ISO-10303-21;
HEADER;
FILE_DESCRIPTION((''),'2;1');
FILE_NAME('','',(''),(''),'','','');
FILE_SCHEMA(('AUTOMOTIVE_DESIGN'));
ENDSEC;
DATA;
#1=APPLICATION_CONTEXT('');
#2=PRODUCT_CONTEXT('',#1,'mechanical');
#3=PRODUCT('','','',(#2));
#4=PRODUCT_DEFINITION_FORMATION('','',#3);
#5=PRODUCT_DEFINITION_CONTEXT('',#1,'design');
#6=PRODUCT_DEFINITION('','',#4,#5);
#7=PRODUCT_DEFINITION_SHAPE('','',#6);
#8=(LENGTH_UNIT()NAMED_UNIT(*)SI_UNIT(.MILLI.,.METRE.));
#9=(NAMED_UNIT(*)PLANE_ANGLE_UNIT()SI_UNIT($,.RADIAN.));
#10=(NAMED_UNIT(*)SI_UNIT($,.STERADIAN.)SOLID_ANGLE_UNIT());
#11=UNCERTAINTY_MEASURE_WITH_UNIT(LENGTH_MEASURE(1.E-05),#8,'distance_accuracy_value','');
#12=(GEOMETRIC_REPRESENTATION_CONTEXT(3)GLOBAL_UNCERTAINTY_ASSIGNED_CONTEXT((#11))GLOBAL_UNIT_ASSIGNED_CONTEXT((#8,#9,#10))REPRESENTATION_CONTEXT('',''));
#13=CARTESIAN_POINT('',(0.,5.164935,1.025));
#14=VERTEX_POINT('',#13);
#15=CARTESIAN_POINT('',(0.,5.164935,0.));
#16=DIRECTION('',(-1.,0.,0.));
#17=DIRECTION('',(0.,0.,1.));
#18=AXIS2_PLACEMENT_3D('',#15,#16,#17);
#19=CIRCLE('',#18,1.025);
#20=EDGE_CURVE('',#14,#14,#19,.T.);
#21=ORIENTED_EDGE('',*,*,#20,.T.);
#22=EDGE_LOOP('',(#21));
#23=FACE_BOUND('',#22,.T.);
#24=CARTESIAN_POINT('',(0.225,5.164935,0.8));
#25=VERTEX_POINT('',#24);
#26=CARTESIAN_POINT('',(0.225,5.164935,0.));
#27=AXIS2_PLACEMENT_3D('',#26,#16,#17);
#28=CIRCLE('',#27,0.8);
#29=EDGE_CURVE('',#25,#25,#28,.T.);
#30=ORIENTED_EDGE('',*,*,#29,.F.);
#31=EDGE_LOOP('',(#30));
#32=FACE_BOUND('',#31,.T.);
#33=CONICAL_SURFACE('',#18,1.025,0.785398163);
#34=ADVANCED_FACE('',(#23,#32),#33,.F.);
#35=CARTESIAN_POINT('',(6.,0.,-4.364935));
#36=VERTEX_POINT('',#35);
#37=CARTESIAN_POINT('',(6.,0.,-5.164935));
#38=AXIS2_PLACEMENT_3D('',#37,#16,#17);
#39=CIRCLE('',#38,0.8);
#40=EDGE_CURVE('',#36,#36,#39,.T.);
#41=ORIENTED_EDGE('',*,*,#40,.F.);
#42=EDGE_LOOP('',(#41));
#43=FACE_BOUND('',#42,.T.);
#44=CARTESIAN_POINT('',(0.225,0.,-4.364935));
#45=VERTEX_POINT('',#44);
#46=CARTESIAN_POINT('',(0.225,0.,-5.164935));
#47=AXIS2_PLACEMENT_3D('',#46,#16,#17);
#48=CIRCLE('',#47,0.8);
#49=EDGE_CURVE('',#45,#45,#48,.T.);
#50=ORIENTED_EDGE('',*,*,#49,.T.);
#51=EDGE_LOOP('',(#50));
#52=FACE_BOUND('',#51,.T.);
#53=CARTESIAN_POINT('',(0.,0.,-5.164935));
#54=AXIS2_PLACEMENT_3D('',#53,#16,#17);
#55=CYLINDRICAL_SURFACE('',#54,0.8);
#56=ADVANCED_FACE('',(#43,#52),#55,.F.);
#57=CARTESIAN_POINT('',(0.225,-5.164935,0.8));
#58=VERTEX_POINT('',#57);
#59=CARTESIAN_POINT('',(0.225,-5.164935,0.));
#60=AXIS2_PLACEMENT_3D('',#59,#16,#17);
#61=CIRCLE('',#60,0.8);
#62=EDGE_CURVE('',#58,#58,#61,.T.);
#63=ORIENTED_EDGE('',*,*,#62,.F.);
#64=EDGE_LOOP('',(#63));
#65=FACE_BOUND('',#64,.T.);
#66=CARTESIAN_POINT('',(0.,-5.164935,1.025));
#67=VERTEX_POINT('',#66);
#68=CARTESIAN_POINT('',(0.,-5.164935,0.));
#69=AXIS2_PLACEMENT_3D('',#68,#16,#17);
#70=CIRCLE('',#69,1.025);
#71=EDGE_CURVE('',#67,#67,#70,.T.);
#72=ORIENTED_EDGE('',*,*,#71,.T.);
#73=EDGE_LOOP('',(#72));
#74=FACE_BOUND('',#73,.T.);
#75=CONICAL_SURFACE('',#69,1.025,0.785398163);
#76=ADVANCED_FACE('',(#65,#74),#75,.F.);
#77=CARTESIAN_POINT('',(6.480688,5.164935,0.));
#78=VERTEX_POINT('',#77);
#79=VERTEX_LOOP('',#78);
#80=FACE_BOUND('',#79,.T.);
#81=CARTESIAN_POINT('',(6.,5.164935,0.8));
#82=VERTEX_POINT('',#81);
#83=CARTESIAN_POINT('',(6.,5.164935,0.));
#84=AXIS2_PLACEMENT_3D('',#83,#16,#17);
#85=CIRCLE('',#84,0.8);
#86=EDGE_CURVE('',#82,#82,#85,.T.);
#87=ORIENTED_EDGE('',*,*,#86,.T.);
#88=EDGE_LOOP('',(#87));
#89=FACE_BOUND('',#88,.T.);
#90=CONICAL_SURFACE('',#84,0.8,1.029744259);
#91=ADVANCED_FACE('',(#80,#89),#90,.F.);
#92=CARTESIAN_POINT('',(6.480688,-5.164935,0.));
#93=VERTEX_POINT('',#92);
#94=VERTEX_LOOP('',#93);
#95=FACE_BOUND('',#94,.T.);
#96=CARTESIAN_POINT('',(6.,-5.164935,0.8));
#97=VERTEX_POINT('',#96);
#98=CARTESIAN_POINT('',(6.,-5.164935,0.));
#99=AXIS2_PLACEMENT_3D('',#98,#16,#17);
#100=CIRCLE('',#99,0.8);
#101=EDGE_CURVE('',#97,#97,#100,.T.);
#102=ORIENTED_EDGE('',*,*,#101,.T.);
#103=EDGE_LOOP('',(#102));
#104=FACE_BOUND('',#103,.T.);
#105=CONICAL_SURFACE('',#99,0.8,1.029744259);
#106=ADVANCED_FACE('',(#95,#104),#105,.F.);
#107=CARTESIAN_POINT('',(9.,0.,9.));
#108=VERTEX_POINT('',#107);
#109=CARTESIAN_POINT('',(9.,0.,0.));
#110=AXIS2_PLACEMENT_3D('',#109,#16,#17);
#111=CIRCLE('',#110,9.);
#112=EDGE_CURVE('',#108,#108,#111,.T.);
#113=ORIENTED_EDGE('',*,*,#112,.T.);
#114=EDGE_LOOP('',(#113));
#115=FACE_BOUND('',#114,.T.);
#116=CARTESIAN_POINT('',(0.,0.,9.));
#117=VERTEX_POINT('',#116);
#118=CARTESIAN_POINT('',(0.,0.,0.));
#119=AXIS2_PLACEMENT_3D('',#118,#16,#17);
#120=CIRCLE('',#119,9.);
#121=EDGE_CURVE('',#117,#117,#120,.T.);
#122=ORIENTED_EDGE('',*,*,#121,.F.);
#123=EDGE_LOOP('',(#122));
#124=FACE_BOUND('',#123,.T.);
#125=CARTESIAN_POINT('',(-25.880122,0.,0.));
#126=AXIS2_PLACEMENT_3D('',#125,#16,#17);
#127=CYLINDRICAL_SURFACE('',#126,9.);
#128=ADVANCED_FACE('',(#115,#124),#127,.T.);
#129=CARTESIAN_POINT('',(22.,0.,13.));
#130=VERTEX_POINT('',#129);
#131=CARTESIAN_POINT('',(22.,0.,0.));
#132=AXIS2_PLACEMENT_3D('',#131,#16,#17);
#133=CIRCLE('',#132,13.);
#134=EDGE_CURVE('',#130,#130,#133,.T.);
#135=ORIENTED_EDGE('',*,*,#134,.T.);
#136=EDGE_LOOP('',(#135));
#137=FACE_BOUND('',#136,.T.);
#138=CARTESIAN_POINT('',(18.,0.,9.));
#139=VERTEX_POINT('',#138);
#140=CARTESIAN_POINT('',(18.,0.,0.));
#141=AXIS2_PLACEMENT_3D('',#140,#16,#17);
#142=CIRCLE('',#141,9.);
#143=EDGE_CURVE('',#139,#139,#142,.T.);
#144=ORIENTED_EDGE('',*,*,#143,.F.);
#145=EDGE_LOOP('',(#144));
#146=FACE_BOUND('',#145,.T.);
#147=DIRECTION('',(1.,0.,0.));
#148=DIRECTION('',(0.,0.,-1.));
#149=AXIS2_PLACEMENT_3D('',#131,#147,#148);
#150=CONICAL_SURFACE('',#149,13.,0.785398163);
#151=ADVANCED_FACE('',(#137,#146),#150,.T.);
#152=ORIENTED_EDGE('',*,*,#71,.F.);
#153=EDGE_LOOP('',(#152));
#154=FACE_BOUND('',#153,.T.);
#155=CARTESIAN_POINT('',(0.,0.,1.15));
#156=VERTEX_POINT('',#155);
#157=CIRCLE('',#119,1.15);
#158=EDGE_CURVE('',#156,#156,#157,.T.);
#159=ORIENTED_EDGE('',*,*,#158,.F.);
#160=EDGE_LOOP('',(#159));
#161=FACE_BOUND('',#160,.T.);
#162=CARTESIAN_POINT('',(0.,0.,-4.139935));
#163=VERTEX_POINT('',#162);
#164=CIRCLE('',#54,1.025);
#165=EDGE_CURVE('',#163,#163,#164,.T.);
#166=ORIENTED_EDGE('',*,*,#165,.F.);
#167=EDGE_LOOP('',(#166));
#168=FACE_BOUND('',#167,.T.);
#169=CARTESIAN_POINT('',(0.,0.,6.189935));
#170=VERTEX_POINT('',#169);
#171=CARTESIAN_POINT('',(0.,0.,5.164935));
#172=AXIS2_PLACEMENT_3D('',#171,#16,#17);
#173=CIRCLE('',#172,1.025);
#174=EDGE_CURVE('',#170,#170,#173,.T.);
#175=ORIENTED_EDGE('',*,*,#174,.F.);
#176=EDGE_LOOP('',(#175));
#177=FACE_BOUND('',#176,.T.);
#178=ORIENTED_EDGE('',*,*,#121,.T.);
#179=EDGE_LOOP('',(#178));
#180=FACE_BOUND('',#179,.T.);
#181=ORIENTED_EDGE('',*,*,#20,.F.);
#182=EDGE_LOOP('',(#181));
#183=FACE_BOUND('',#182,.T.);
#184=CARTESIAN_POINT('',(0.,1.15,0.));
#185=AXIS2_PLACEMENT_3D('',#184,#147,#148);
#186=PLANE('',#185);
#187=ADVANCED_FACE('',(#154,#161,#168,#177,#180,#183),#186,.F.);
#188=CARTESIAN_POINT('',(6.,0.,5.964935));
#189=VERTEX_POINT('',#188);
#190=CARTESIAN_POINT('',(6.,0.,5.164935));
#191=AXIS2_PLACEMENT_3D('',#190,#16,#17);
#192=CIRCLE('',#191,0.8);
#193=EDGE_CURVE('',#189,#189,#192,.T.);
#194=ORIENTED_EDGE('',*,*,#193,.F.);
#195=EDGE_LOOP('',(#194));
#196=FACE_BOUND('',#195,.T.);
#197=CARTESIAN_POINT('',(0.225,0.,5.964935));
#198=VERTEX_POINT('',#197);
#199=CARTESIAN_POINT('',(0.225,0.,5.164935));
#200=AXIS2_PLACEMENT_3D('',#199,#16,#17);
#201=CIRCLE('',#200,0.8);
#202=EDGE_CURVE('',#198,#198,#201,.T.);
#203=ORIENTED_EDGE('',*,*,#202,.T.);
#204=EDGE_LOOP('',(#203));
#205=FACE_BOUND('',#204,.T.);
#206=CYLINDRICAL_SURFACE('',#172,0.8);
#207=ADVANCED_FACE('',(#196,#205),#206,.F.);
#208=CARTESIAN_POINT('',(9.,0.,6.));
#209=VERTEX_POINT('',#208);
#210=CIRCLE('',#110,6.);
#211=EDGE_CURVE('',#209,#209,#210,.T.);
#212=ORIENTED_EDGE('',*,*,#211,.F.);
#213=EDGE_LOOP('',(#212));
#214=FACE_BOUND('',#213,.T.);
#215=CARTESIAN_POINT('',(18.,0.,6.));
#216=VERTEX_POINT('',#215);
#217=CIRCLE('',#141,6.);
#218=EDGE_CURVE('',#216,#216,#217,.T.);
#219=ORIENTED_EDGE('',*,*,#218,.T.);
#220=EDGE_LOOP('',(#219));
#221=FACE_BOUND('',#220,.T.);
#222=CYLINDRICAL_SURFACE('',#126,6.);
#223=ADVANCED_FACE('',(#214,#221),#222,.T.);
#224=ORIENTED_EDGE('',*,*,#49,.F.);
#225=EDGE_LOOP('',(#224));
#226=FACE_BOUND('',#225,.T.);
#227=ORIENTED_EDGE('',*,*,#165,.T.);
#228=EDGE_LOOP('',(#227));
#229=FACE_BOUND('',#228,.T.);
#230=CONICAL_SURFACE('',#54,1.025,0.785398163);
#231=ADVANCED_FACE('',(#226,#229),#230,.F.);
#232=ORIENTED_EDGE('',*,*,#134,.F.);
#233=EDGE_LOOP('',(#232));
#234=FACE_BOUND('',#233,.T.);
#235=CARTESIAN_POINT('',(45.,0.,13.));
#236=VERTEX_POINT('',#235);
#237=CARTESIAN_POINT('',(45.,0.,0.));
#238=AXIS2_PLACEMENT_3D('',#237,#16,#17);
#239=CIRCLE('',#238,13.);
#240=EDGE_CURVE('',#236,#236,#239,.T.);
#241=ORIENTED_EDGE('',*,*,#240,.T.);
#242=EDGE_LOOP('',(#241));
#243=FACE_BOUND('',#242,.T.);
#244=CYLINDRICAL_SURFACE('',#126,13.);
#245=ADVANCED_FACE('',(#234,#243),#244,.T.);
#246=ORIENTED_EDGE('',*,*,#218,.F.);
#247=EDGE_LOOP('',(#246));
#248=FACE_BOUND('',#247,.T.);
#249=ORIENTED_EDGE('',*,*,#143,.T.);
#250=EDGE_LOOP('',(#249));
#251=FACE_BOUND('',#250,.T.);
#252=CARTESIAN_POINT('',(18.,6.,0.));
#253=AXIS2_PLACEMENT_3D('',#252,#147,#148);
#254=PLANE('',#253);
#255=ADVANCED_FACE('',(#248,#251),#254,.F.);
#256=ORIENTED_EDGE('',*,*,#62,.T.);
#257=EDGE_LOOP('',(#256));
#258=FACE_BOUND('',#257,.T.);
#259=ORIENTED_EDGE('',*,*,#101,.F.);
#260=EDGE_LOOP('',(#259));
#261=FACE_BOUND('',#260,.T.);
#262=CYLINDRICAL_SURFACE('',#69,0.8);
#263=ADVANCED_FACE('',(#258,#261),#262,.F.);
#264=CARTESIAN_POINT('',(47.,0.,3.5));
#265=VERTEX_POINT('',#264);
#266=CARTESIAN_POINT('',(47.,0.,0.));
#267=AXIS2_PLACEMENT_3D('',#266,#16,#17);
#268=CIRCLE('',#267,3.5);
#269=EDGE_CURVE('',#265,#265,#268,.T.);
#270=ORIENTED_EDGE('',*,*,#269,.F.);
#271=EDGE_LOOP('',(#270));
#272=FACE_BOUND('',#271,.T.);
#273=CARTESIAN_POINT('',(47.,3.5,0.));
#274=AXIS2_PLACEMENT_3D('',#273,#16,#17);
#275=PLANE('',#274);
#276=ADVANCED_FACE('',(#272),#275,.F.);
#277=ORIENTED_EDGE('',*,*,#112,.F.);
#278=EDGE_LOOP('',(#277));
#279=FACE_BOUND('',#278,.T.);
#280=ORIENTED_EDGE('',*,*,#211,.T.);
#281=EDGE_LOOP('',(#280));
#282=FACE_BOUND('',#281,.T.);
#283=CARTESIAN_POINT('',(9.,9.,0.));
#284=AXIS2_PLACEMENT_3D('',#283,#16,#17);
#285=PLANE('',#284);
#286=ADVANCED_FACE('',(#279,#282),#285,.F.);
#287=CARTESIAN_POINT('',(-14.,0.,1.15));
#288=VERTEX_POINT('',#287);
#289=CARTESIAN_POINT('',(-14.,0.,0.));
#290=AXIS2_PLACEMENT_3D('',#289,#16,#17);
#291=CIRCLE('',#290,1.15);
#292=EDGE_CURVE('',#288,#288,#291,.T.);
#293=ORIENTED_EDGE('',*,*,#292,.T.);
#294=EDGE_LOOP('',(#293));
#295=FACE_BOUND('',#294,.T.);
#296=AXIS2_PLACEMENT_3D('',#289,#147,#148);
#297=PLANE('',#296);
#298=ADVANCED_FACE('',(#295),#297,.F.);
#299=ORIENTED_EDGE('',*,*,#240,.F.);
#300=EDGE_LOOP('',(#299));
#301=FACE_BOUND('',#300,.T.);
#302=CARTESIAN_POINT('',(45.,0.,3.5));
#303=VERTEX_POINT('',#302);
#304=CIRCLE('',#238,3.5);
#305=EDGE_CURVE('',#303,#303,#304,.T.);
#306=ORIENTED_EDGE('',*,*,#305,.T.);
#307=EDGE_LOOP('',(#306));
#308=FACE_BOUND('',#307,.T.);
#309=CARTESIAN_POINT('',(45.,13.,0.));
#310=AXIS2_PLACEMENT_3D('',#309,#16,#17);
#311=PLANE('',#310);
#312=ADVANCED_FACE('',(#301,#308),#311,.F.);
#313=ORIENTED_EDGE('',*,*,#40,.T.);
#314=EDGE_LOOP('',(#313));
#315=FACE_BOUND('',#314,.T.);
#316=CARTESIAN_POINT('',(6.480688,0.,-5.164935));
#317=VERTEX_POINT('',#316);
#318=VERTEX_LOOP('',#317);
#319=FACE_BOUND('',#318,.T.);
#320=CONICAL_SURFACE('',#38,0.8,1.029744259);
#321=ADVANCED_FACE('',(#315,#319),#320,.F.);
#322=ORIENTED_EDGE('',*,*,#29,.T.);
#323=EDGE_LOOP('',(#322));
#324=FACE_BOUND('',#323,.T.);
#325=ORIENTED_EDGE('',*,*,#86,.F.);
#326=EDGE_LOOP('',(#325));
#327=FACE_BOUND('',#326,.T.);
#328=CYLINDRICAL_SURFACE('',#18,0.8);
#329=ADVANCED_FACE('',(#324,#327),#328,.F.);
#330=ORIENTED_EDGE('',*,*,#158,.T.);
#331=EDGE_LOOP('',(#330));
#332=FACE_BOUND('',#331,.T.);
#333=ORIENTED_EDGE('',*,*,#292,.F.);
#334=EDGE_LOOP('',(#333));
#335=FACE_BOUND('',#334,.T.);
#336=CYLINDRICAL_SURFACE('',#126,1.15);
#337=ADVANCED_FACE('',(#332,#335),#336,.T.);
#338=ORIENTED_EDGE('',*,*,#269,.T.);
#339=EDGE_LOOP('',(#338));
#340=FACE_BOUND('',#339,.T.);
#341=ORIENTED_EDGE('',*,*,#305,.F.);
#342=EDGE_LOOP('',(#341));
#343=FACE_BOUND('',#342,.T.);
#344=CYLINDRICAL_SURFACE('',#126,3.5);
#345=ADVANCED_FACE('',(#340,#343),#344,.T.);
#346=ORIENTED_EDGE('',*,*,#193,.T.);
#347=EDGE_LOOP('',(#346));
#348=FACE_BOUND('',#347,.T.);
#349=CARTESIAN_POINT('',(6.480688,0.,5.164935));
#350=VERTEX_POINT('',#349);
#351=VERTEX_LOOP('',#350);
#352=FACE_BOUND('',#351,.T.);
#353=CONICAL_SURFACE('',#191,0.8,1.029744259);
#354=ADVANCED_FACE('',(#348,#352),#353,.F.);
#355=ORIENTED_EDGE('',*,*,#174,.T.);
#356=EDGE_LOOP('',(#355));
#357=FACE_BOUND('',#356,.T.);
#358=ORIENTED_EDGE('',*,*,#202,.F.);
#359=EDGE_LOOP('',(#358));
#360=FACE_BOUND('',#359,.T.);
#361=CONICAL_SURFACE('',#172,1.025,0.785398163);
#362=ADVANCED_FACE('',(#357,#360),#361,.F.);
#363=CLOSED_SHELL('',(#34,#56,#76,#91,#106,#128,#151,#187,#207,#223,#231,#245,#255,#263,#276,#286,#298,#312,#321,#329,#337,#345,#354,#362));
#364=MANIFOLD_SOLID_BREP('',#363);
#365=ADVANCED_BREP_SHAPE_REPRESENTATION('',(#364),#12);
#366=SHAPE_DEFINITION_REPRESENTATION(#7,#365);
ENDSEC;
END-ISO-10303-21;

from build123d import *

# Parameters (mm, degrees)
TROU_TARAUD_M2X0_41_D           = 1.6
TROU_TARAUD_M2X0_41_DEPTH       = 6
TROU_TARAUD_M2X0_41_CSINK_D     = 2.05
TROU_TARAUD_M2X0_41_CSINK_ANGLE = 90
TROU_TARAUD_M2X0_41_TIP         = 0.480688495


with BuildPart() as part:
    # Esquisse1 → Révolution1 (revolve)
    with BuildSketch(Plane.XY):
        Polygon((-14, 1.15), (0, 1.15), (0, 9), (9, 9), (9, 6), (18, 6), (18, 9), (22, 13), (45, 13), (45, 3.5), (47, 3.5), (47, 0), (-14, 0), align=None)
    revolve(axis=Axis((-25.880121982, 0, 0), (1, 0, 0)))

    # Trou taraudé M2x0.41
    with Locations(Plane.ZY):
        with Locations((0, 5.164935058), (5.164935058, 0), (0, -5.164935058), (-5.164935058, 0)):
            CounterSinkHole(TROU_TARAUD_M2X0_41_D / 2, TROU_TARAUD_M2X0_41_CSINK_D / 2, depth=TROU_TARAUD_M2X0_41_DEPTH, counter_sink_angle=TROU_TARAUD_M2X0_41_CSINK_ANGLE)
            with Locations((0, 0, -(TROU_TARAUD_M2X0_41_DEPTH + TROU_TARAUD_M2X0_41_TIP / 2))):  # 118° drill point
                Cone(0, TROU_TARAUD_M2X0_41_D / 2, TROU_TARAUD_M2X0_41_TIP, mode=Mode.SUBTRACT)


solid = part.part
